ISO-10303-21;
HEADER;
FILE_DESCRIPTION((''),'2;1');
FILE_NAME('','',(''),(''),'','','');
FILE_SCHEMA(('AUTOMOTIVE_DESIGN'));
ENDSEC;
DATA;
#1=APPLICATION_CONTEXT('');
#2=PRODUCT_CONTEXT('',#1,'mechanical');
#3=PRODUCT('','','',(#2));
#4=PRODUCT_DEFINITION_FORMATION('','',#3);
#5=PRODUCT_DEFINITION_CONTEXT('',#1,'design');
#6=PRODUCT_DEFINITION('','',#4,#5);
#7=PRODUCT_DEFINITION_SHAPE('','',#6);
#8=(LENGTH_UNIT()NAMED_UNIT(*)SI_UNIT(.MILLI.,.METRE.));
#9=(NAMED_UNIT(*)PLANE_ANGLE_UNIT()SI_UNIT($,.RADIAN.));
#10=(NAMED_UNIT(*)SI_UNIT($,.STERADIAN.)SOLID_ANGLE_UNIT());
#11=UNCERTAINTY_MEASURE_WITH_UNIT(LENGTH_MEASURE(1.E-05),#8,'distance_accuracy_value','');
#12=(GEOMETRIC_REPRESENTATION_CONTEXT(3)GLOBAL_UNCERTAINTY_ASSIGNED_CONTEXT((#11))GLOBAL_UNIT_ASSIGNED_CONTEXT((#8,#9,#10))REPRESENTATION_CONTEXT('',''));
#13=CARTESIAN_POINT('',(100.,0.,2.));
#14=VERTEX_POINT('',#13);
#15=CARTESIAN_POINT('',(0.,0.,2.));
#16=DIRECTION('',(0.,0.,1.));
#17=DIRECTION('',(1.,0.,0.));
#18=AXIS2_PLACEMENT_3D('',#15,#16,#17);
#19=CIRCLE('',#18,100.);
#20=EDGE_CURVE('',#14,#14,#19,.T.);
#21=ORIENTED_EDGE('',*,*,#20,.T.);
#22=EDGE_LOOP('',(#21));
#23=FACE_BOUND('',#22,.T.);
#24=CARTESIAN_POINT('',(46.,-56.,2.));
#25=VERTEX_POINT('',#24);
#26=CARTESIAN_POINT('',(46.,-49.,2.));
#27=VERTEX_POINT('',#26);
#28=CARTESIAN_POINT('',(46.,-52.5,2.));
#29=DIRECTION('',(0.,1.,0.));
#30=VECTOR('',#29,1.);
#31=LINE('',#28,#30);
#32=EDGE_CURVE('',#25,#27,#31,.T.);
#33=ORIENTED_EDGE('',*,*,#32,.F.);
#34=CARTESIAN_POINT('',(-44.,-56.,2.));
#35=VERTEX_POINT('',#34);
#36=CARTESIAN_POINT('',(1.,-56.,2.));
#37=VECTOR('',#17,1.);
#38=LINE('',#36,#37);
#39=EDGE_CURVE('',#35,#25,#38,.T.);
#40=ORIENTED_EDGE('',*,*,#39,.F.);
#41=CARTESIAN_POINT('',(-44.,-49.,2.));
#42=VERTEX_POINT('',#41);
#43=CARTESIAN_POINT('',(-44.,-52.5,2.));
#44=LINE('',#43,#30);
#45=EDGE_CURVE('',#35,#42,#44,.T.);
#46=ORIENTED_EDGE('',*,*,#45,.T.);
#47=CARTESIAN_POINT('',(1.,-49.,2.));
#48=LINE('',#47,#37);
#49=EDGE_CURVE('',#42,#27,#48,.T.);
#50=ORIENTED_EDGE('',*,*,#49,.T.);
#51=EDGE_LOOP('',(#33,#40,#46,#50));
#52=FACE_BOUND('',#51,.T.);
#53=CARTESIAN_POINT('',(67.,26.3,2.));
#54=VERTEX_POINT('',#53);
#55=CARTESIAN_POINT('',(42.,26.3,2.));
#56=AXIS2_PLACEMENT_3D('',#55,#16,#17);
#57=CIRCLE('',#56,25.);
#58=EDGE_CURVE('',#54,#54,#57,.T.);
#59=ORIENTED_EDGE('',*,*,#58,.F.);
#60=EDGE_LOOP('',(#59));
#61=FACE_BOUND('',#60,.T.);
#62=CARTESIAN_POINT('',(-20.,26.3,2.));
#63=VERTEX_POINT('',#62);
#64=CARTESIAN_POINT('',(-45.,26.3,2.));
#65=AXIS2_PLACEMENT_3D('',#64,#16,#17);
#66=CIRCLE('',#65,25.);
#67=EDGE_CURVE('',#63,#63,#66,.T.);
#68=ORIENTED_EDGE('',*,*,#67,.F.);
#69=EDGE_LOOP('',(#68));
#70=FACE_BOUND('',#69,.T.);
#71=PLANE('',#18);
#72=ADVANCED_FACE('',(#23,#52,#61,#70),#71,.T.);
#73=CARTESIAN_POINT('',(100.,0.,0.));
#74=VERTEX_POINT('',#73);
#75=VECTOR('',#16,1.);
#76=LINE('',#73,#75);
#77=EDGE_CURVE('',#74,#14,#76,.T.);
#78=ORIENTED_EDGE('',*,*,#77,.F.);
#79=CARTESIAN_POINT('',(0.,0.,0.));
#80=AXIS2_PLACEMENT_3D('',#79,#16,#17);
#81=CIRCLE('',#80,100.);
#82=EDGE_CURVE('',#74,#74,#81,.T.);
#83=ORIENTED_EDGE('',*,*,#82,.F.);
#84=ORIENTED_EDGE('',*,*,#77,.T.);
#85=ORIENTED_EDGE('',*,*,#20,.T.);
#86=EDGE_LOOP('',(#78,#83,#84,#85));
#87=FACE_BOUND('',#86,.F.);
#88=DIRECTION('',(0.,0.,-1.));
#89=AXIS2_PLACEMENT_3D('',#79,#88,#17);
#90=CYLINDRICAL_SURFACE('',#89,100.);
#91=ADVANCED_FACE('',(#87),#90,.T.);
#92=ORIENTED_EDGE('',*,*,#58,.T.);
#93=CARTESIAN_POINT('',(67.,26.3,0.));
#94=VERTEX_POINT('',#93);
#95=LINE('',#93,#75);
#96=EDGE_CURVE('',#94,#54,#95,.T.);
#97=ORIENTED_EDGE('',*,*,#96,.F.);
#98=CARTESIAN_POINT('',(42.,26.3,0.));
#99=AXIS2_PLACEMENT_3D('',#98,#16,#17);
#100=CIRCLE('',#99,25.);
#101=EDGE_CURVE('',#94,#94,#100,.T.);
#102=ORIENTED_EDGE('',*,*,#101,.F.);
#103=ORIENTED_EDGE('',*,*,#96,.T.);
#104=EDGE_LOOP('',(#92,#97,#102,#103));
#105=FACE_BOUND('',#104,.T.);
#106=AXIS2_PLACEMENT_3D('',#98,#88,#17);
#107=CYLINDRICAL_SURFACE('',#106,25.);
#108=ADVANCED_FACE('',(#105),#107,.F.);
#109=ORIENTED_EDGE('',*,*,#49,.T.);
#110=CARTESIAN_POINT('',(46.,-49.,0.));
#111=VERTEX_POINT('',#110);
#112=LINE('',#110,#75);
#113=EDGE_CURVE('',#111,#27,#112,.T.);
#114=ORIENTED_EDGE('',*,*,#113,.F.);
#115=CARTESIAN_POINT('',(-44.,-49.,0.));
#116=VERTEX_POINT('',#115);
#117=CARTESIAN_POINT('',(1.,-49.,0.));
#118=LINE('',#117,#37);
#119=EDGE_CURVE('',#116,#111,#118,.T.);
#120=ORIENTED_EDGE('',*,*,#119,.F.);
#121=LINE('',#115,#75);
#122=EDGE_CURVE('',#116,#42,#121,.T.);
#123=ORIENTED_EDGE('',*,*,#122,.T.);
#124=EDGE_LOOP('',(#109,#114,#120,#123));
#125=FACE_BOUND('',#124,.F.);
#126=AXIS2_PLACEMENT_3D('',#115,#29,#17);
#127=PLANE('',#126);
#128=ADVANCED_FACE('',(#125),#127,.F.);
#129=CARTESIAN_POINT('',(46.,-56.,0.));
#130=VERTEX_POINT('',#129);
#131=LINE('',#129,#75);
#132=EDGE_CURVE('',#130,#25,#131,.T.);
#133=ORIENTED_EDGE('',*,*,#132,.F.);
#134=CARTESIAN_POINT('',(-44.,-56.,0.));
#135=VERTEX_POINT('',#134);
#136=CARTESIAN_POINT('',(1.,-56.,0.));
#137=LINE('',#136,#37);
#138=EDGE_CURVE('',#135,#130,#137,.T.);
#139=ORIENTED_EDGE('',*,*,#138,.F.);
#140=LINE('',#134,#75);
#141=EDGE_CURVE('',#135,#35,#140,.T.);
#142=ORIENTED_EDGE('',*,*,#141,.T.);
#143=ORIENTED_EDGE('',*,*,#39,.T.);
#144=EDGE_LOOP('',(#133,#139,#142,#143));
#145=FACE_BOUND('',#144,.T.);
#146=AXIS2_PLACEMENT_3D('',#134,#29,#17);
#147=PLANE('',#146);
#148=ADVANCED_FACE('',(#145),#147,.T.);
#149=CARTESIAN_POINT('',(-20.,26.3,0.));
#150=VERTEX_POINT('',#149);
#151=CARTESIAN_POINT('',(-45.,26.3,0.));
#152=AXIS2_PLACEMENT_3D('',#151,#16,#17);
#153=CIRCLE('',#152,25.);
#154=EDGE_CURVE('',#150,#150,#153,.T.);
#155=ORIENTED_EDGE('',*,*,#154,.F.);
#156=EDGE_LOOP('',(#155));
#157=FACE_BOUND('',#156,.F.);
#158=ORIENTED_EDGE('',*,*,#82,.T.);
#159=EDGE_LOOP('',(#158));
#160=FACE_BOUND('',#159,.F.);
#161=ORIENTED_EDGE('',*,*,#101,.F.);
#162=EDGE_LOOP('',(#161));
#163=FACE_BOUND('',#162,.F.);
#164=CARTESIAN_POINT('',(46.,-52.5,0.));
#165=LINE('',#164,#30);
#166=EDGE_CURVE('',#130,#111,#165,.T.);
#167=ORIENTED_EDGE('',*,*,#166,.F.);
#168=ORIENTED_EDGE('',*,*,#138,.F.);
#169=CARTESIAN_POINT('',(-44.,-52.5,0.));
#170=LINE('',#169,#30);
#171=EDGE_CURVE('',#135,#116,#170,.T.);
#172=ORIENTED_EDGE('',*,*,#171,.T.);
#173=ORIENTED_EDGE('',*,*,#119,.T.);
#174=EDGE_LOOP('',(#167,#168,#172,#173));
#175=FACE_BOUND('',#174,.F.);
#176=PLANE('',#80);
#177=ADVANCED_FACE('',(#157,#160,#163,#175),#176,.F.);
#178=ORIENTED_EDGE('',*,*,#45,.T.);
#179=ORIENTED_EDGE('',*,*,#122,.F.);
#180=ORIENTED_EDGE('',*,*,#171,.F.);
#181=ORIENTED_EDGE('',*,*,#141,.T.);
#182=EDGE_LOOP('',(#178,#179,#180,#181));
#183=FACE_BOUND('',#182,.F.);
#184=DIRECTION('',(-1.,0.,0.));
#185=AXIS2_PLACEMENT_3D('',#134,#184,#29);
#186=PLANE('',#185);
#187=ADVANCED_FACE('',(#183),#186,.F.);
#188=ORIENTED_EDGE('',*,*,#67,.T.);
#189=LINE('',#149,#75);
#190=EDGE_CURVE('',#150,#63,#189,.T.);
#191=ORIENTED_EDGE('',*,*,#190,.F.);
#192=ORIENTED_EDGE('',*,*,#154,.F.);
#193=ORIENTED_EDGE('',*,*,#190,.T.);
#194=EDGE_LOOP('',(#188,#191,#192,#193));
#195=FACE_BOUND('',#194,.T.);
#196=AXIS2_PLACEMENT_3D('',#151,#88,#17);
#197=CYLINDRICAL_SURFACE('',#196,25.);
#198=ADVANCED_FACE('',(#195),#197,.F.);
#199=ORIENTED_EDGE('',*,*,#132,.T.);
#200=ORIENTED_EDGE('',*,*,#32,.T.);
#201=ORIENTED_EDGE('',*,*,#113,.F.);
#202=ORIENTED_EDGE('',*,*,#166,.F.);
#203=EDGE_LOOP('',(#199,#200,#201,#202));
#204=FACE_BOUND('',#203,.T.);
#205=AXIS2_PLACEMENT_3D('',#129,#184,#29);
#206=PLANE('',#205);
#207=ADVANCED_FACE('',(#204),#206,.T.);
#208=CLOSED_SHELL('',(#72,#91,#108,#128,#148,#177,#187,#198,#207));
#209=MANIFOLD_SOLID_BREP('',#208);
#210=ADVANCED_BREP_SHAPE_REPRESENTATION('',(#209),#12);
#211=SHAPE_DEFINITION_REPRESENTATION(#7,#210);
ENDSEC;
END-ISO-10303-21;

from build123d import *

# Parameters (mm, degrees)
CYLINDER002_R     = 25
CYLINDER002_DEPTH = 2
CYLINDER001_R     = 25
CYLINDER001_DEPTH = 2
BOX_W             = 90
BOX_H             = 7
BOX_DEPTH         = 2
CYLINDER_R        = 100
CYLINDER_DEPTH    = 2


with BuildPart() as cylinder002:
    # Cylinder002 → Cylinder002 (new body)
    with BuildSketch(Plane(origin=(42, 26.3, 0), x_dir=(1, 0, 0), z_dir=(0, 0, 1))):
        Circle(CYLINDER002_R)
    extrude(amount=CYLINDER002_DEPTH)


with BuildPart() as cylinder001:
    # Cylinder001 → Cylinder001 (new body)
    with BuildSketch(Plane(origin=(-45, 26.3, 0), x_dir=(1, 0, 0), z_dir=(0, 0, 1))):
        Circle(CYLINDER001_R)
    extrude(amount=CYLINDER001_DEPTH)


with BuildPart() as cube:
    # Box → Box (new body)
    with BuildSketch(Plane(origin=(-44, -56, 0), x_dir=(1, 0, 0), z_dir=(0, 0, 1))):
        with Locations((45, 3.5)):
            Rectangle(BOX_W, BOX_H)
    extrude(amount=BOX_DEPTH)


with BuildPart() as cut002:
    # Cylinder → Cylinder (new body)
    with BuildSketch(Plane.XY):
        Circle(CYLINDER_R)
    extrude(amount=CYLINDER_DEPTH)

    # Cut: cut Cube
    add(cube.part, mode=Mode.SUBTRACT)

    # Cut001: cut Cylinder001
    add(cylinder001.part, mode=Mode.SUBTRACT)

    # Cut002: cut Cylinder002
    add(cylinder002.part, mode=Mode.SUBTRACT)


solid = cut002.part
